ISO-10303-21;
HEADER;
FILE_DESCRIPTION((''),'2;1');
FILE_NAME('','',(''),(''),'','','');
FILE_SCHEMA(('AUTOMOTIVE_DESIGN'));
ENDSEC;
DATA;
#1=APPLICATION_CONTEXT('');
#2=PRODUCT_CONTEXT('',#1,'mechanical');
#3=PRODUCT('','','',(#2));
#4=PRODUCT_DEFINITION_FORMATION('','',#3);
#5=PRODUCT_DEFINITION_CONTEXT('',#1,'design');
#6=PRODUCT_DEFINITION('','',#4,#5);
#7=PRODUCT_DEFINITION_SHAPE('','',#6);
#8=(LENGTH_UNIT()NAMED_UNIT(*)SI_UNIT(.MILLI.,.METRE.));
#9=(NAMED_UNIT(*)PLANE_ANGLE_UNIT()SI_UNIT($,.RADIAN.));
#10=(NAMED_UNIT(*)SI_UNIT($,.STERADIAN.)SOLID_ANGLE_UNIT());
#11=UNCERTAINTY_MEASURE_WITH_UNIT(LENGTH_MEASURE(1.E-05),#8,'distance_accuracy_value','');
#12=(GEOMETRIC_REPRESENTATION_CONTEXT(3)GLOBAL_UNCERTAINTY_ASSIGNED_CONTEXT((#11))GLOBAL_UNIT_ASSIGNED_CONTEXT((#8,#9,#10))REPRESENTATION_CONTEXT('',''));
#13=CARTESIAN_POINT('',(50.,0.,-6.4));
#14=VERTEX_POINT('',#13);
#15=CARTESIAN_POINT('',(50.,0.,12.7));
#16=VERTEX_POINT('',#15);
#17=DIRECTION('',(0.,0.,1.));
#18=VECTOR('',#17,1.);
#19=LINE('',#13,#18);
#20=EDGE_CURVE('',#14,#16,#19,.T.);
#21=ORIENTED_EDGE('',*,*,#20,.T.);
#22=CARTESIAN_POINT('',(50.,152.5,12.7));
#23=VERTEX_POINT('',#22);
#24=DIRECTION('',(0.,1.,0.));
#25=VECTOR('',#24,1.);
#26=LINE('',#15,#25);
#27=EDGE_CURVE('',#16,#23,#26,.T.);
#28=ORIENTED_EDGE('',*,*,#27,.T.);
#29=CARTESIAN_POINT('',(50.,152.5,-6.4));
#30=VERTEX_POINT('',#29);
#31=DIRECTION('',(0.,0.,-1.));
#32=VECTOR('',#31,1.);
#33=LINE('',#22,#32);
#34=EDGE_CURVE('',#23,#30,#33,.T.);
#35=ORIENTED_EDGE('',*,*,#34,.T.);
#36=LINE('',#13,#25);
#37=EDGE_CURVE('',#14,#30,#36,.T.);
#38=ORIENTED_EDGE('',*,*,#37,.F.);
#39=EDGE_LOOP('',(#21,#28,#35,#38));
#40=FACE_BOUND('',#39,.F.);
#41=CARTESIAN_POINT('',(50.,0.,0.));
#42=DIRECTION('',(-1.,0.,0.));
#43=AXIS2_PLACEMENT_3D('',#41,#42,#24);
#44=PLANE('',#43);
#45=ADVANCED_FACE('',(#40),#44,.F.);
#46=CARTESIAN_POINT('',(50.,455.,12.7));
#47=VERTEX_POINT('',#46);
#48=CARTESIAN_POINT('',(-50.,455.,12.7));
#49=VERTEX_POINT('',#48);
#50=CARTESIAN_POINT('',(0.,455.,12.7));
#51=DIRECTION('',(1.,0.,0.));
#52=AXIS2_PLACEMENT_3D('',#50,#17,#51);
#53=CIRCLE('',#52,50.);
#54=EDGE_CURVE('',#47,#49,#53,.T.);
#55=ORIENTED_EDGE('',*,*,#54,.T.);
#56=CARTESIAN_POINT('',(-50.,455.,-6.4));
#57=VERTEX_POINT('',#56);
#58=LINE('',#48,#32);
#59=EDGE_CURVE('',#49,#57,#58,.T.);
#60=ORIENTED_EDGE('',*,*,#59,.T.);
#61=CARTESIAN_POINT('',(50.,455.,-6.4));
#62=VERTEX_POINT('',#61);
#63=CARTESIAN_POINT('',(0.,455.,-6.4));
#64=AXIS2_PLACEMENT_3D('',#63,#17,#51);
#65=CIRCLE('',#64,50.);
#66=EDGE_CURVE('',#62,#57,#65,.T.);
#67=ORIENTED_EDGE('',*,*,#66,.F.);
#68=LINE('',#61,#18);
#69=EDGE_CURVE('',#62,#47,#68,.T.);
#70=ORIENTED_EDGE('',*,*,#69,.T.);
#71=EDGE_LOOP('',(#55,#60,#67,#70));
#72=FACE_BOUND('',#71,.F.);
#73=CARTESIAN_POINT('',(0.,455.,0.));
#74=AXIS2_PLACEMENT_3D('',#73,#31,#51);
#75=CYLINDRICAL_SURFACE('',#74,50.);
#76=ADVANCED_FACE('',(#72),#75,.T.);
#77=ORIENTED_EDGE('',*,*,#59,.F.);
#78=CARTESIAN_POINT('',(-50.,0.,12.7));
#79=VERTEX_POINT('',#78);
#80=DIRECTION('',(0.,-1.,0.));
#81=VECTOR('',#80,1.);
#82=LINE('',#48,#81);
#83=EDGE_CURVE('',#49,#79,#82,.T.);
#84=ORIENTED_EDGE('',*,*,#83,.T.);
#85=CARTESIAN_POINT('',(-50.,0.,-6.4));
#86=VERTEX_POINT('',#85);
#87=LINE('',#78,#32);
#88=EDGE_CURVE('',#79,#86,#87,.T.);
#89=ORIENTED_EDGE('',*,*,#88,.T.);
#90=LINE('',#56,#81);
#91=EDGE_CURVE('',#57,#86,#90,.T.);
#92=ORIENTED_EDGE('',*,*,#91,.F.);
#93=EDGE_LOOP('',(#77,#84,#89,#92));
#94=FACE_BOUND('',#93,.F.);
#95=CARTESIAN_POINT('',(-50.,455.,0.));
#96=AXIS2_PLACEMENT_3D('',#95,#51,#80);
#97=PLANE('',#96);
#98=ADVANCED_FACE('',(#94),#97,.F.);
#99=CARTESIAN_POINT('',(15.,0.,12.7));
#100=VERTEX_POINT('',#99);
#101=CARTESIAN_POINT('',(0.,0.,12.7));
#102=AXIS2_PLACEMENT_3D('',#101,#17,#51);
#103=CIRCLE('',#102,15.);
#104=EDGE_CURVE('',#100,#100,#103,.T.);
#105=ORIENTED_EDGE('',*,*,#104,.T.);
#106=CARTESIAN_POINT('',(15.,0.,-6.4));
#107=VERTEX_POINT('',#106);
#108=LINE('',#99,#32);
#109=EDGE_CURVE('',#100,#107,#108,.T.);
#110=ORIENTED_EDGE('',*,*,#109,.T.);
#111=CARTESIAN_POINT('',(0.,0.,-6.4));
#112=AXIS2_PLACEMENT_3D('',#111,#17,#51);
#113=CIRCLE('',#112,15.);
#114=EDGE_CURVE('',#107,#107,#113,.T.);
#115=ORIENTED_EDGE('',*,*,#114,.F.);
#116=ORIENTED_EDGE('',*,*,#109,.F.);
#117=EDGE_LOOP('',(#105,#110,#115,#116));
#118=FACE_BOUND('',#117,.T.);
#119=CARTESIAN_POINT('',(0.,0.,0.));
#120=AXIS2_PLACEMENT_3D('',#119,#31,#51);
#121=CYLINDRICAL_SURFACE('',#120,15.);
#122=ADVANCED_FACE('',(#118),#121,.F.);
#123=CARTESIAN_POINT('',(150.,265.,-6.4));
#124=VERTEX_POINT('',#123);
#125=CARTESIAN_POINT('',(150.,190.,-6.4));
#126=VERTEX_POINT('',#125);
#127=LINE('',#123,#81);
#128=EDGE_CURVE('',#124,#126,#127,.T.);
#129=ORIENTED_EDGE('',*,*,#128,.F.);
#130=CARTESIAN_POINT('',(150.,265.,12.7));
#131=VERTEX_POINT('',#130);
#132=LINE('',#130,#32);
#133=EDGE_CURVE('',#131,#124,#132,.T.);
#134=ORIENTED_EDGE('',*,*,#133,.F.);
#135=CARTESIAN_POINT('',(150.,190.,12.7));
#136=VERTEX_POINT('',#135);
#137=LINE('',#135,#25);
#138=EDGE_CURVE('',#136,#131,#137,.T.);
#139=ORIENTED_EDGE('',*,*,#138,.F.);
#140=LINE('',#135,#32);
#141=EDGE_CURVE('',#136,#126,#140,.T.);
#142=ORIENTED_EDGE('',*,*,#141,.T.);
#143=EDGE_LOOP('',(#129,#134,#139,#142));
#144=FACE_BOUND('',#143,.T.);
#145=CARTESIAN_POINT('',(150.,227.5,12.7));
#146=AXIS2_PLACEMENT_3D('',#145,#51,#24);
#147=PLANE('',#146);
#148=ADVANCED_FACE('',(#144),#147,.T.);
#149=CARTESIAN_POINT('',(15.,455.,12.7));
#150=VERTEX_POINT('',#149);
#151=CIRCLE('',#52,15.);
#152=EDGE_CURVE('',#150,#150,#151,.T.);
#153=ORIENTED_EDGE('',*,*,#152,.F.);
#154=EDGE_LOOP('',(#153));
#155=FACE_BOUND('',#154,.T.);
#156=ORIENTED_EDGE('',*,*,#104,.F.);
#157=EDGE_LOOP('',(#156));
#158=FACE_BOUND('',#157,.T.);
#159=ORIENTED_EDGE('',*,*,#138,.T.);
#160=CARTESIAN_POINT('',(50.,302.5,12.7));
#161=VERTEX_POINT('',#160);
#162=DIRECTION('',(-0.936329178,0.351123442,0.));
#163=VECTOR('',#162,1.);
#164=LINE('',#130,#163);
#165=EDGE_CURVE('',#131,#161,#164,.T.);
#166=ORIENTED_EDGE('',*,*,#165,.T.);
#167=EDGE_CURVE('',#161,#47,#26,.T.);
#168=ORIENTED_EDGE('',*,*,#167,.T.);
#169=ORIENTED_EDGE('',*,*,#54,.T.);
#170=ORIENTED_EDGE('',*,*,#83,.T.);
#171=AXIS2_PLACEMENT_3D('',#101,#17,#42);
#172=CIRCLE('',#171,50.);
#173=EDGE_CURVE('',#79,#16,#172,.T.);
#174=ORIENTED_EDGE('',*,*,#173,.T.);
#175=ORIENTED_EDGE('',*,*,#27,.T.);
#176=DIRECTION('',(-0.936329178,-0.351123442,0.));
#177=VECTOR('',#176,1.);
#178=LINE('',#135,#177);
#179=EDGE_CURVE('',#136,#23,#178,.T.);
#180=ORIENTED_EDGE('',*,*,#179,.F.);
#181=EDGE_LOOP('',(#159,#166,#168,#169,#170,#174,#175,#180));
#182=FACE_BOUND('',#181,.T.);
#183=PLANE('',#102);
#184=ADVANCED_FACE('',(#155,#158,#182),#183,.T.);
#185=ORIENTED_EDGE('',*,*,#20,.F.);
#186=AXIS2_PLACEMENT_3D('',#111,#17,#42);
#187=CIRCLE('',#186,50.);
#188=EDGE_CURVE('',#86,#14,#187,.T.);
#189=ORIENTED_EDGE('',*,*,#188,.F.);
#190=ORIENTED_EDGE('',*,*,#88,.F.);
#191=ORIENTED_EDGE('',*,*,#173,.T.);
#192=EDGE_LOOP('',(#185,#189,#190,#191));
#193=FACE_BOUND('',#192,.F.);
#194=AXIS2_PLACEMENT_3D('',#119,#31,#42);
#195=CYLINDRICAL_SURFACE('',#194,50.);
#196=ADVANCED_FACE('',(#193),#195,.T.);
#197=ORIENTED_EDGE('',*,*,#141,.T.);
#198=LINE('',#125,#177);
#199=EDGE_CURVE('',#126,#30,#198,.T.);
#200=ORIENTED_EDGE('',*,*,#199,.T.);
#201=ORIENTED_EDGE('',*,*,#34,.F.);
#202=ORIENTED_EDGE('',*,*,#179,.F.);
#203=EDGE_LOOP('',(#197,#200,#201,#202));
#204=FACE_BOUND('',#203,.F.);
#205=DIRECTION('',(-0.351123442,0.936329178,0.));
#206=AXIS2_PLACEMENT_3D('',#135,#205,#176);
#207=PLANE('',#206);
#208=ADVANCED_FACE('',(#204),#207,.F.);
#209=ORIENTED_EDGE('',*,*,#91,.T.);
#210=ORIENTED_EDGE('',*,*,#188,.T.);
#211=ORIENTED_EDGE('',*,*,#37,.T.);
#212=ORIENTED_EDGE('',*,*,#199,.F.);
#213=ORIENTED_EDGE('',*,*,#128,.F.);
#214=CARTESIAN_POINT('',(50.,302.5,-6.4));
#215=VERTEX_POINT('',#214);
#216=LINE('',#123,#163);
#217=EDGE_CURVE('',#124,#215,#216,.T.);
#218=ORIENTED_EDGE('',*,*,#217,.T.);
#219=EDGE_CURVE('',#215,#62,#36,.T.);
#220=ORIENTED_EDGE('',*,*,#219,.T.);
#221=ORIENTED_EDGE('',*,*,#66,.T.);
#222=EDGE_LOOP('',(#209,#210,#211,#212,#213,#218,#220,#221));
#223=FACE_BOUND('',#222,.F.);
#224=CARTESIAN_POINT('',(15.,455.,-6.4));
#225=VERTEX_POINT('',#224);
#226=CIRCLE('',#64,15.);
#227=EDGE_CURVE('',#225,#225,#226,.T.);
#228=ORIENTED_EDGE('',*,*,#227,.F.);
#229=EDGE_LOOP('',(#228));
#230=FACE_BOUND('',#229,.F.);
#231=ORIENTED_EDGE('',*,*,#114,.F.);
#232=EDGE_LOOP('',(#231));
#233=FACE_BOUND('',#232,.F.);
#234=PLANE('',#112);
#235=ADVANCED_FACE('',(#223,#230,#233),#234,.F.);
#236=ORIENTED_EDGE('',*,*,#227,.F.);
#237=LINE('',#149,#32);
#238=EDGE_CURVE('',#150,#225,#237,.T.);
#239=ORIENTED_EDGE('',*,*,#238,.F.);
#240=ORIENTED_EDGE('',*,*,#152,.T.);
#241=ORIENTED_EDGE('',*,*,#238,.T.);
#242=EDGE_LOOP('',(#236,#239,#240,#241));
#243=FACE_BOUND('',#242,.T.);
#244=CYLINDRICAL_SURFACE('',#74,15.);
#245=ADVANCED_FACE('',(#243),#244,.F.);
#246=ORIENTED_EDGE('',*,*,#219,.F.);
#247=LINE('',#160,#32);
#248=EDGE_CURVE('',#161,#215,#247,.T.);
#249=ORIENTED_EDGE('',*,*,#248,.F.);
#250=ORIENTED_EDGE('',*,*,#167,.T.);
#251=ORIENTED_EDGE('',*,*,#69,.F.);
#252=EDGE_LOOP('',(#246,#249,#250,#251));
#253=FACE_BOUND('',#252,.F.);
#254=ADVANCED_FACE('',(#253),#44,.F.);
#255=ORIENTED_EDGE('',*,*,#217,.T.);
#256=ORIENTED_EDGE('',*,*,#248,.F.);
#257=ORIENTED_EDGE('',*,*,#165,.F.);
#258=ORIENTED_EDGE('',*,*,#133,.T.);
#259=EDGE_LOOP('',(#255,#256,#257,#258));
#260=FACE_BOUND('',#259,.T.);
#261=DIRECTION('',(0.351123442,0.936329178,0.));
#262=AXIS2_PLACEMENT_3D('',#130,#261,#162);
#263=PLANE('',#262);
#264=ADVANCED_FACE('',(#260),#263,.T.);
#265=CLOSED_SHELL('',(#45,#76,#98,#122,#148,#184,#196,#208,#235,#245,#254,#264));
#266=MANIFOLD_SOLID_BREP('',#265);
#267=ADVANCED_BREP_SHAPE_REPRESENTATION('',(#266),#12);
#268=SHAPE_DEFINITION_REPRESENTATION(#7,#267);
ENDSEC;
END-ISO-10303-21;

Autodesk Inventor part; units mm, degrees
ref_plane "YZ Plane" through (0, 0, 0) normal (1, 0, 0) x (0, 1, 0)
ref_plane "XZ Plane" through (0, 0, 0) normal (0, 1, 0) x (-1, 0, 0)
ref_plane "XY Plane" through (0, 0, 0) normal (0, 0, 1) x (1, 0, 0)
sketch "Sketch1" plane through (0, 0, 0) normal (0, 0, 1) x (1, 0, 0)
  line L0 (0, 0) -> (0, 455) construction
  line L1 (50, 0) -> (50, 455)
  line L2 (-50, 455) -> (-50, 0)
  arc A0 (-50, 0) -> (50, 0) centre (0, 0) ccw
  arc A1 (50, 455) -> (-50, 455) centre (0, 455) ccw
  circle A2 centre (0, 455) radius 15
  circle A3 centre (0, 0) radius 15
  point P0 (0, 227.5)
  point P1 (0, 505)
  point P2 (0, -50)
  dimension "d0" = 455
  dimension "d2" = 30
  dimension "d3" = 30
  dimension "d6" = 555
extrude "Extrusion1" add sketch "Sketch1" along normal blind 12.7 and the other way blind 6.4
sketch "Sketch3" plane through (0, 0, 12.7) normal (0, 0, 1) x (1, 0, 0)
  line L0 (50, 0) -> (50, 455) projected
  line L1 (150, 227.5) -> (150, 265)
  line L2 (150, 265) -> (50, 302.5)
  line L3 (150, 227.5) -> (150, 190)
  line L4 (150, 190) -> (50, 152.5)
  point P0 (0, 0)
  point P1 (50, 227.5)
  dimension "d9" = 150
  dimension "d10" = 75
  dimension "d11" = 152.5
  dimension "d12" = 100
extrude "Extrusion2" add sketch "Sketch3" against normal blind 19.1
sketch "Sketch4" plane through (0, 0, -6.4) normal (0, 0, -1) x (-1, 0, 0)
  point P0 (0, 0)
properties part number "Eslabon de arrastre externo" material "Steel, Mild"
